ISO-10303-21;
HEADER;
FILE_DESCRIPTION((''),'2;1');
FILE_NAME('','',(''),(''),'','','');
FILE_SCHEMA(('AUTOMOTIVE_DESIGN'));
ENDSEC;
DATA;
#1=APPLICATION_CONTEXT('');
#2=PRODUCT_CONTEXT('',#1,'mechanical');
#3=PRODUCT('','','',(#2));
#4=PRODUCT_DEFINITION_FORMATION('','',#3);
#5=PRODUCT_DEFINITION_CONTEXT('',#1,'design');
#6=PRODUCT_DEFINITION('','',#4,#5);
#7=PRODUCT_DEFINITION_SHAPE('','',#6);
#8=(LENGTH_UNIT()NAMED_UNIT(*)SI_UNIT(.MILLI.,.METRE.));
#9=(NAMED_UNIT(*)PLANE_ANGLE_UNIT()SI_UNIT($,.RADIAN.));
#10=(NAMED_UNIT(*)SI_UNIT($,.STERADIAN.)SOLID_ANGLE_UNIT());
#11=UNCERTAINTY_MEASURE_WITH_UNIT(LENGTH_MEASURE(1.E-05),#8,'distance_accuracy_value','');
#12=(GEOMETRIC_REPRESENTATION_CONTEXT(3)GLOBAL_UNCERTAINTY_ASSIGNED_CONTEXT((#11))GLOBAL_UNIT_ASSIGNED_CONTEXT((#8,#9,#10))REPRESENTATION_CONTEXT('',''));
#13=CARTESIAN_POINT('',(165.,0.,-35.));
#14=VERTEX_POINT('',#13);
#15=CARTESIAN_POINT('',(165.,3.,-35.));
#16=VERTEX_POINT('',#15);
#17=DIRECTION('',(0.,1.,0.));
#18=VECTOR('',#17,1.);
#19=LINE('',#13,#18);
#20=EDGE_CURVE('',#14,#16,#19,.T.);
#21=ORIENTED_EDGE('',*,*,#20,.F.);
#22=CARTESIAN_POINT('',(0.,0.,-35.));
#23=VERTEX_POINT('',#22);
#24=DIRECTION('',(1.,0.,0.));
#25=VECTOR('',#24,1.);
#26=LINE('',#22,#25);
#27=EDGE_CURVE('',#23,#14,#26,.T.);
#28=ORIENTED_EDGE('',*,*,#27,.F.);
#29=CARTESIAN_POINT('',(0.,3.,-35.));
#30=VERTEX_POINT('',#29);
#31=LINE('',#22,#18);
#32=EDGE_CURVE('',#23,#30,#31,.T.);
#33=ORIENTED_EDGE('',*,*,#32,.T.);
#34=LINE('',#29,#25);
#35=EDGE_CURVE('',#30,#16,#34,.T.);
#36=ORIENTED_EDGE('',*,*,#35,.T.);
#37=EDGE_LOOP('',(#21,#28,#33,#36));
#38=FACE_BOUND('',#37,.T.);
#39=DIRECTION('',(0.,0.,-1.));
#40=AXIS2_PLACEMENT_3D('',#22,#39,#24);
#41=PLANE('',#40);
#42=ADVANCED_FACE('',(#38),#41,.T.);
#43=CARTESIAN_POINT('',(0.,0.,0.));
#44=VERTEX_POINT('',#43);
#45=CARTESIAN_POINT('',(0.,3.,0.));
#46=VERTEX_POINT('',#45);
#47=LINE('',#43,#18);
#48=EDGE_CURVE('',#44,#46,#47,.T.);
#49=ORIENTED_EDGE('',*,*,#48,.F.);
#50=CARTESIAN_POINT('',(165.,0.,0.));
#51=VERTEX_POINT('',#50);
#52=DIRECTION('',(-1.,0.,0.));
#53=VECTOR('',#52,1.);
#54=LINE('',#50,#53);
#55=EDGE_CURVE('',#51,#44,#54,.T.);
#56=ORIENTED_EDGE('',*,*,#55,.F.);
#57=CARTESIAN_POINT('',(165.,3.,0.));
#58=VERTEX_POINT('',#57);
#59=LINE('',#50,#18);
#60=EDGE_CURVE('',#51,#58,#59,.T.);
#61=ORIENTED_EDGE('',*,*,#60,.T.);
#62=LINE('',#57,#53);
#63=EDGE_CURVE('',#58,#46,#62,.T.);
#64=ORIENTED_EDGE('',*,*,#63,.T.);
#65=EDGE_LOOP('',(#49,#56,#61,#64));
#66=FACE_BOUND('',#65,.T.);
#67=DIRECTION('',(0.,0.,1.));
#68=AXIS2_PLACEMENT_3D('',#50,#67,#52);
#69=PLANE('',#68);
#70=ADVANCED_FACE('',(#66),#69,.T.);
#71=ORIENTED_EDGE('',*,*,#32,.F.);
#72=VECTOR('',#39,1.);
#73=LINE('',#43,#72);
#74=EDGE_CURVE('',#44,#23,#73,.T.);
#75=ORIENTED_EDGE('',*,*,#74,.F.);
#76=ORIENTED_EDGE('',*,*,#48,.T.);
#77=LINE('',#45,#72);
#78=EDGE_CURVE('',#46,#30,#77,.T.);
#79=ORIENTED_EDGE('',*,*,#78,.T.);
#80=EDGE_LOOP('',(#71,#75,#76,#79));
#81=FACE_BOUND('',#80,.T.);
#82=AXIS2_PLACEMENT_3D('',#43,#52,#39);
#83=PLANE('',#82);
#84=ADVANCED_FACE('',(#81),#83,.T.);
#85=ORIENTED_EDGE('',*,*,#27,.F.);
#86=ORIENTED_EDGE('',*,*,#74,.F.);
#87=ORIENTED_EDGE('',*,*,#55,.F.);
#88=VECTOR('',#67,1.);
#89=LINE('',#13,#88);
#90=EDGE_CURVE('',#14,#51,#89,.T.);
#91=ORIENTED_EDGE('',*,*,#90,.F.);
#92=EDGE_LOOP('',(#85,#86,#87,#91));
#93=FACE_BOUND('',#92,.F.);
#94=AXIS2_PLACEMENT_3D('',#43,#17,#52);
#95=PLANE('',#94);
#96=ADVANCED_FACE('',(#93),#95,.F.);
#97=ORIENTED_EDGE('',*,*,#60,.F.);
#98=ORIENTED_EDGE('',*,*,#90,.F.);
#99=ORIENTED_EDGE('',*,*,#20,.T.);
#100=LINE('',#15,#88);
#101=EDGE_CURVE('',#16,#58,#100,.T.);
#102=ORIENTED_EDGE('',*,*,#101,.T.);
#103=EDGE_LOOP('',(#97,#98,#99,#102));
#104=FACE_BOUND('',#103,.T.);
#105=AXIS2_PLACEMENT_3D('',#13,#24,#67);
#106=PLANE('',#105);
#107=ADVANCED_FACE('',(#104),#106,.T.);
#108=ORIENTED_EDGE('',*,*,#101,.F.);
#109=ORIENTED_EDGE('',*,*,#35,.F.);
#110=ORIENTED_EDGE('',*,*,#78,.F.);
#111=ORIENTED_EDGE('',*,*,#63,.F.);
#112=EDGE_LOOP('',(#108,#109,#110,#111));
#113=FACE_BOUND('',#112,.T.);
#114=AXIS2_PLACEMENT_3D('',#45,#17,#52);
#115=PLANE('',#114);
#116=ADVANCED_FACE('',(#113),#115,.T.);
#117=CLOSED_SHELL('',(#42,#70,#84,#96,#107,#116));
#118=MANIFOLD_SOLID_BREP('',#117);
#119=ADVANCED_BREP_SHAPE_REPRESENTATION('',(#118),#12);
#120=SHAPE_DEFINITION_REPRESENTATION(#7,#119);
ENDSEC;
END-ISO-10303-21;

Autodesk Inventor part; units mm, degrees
ref_plane "YZ Plane" through (0, 0, 0) normal (1, 0, 0) x (0, 1, 0)
ref_plane "XZ Plane" through (0, 0, 0) normal (0, 1, 0) x (-1, 0, 0)
ref_plane "XY Plane" through (0, 0, 0) normal (0, 0, 1) x (1, 0, 0)
sketch "Sketch1" plane through (0, 0, 0) normal (0, 1, 0) x (-1, 0, 0)
  line L0 (0, 0) -> (0, -35)
  line L1 (0, -35) -> (-165, -35)
  line L2 (-165, -35) -> (-165, 0)
  line L3 (-165, 0) -> (0, 0)
  dimension "d0" = 35
  dimension "d1" = 165
extrude "Extrusion1" add sketch "Sketch1" along normal blind 3
properties part number "Brazo mdf 2"
